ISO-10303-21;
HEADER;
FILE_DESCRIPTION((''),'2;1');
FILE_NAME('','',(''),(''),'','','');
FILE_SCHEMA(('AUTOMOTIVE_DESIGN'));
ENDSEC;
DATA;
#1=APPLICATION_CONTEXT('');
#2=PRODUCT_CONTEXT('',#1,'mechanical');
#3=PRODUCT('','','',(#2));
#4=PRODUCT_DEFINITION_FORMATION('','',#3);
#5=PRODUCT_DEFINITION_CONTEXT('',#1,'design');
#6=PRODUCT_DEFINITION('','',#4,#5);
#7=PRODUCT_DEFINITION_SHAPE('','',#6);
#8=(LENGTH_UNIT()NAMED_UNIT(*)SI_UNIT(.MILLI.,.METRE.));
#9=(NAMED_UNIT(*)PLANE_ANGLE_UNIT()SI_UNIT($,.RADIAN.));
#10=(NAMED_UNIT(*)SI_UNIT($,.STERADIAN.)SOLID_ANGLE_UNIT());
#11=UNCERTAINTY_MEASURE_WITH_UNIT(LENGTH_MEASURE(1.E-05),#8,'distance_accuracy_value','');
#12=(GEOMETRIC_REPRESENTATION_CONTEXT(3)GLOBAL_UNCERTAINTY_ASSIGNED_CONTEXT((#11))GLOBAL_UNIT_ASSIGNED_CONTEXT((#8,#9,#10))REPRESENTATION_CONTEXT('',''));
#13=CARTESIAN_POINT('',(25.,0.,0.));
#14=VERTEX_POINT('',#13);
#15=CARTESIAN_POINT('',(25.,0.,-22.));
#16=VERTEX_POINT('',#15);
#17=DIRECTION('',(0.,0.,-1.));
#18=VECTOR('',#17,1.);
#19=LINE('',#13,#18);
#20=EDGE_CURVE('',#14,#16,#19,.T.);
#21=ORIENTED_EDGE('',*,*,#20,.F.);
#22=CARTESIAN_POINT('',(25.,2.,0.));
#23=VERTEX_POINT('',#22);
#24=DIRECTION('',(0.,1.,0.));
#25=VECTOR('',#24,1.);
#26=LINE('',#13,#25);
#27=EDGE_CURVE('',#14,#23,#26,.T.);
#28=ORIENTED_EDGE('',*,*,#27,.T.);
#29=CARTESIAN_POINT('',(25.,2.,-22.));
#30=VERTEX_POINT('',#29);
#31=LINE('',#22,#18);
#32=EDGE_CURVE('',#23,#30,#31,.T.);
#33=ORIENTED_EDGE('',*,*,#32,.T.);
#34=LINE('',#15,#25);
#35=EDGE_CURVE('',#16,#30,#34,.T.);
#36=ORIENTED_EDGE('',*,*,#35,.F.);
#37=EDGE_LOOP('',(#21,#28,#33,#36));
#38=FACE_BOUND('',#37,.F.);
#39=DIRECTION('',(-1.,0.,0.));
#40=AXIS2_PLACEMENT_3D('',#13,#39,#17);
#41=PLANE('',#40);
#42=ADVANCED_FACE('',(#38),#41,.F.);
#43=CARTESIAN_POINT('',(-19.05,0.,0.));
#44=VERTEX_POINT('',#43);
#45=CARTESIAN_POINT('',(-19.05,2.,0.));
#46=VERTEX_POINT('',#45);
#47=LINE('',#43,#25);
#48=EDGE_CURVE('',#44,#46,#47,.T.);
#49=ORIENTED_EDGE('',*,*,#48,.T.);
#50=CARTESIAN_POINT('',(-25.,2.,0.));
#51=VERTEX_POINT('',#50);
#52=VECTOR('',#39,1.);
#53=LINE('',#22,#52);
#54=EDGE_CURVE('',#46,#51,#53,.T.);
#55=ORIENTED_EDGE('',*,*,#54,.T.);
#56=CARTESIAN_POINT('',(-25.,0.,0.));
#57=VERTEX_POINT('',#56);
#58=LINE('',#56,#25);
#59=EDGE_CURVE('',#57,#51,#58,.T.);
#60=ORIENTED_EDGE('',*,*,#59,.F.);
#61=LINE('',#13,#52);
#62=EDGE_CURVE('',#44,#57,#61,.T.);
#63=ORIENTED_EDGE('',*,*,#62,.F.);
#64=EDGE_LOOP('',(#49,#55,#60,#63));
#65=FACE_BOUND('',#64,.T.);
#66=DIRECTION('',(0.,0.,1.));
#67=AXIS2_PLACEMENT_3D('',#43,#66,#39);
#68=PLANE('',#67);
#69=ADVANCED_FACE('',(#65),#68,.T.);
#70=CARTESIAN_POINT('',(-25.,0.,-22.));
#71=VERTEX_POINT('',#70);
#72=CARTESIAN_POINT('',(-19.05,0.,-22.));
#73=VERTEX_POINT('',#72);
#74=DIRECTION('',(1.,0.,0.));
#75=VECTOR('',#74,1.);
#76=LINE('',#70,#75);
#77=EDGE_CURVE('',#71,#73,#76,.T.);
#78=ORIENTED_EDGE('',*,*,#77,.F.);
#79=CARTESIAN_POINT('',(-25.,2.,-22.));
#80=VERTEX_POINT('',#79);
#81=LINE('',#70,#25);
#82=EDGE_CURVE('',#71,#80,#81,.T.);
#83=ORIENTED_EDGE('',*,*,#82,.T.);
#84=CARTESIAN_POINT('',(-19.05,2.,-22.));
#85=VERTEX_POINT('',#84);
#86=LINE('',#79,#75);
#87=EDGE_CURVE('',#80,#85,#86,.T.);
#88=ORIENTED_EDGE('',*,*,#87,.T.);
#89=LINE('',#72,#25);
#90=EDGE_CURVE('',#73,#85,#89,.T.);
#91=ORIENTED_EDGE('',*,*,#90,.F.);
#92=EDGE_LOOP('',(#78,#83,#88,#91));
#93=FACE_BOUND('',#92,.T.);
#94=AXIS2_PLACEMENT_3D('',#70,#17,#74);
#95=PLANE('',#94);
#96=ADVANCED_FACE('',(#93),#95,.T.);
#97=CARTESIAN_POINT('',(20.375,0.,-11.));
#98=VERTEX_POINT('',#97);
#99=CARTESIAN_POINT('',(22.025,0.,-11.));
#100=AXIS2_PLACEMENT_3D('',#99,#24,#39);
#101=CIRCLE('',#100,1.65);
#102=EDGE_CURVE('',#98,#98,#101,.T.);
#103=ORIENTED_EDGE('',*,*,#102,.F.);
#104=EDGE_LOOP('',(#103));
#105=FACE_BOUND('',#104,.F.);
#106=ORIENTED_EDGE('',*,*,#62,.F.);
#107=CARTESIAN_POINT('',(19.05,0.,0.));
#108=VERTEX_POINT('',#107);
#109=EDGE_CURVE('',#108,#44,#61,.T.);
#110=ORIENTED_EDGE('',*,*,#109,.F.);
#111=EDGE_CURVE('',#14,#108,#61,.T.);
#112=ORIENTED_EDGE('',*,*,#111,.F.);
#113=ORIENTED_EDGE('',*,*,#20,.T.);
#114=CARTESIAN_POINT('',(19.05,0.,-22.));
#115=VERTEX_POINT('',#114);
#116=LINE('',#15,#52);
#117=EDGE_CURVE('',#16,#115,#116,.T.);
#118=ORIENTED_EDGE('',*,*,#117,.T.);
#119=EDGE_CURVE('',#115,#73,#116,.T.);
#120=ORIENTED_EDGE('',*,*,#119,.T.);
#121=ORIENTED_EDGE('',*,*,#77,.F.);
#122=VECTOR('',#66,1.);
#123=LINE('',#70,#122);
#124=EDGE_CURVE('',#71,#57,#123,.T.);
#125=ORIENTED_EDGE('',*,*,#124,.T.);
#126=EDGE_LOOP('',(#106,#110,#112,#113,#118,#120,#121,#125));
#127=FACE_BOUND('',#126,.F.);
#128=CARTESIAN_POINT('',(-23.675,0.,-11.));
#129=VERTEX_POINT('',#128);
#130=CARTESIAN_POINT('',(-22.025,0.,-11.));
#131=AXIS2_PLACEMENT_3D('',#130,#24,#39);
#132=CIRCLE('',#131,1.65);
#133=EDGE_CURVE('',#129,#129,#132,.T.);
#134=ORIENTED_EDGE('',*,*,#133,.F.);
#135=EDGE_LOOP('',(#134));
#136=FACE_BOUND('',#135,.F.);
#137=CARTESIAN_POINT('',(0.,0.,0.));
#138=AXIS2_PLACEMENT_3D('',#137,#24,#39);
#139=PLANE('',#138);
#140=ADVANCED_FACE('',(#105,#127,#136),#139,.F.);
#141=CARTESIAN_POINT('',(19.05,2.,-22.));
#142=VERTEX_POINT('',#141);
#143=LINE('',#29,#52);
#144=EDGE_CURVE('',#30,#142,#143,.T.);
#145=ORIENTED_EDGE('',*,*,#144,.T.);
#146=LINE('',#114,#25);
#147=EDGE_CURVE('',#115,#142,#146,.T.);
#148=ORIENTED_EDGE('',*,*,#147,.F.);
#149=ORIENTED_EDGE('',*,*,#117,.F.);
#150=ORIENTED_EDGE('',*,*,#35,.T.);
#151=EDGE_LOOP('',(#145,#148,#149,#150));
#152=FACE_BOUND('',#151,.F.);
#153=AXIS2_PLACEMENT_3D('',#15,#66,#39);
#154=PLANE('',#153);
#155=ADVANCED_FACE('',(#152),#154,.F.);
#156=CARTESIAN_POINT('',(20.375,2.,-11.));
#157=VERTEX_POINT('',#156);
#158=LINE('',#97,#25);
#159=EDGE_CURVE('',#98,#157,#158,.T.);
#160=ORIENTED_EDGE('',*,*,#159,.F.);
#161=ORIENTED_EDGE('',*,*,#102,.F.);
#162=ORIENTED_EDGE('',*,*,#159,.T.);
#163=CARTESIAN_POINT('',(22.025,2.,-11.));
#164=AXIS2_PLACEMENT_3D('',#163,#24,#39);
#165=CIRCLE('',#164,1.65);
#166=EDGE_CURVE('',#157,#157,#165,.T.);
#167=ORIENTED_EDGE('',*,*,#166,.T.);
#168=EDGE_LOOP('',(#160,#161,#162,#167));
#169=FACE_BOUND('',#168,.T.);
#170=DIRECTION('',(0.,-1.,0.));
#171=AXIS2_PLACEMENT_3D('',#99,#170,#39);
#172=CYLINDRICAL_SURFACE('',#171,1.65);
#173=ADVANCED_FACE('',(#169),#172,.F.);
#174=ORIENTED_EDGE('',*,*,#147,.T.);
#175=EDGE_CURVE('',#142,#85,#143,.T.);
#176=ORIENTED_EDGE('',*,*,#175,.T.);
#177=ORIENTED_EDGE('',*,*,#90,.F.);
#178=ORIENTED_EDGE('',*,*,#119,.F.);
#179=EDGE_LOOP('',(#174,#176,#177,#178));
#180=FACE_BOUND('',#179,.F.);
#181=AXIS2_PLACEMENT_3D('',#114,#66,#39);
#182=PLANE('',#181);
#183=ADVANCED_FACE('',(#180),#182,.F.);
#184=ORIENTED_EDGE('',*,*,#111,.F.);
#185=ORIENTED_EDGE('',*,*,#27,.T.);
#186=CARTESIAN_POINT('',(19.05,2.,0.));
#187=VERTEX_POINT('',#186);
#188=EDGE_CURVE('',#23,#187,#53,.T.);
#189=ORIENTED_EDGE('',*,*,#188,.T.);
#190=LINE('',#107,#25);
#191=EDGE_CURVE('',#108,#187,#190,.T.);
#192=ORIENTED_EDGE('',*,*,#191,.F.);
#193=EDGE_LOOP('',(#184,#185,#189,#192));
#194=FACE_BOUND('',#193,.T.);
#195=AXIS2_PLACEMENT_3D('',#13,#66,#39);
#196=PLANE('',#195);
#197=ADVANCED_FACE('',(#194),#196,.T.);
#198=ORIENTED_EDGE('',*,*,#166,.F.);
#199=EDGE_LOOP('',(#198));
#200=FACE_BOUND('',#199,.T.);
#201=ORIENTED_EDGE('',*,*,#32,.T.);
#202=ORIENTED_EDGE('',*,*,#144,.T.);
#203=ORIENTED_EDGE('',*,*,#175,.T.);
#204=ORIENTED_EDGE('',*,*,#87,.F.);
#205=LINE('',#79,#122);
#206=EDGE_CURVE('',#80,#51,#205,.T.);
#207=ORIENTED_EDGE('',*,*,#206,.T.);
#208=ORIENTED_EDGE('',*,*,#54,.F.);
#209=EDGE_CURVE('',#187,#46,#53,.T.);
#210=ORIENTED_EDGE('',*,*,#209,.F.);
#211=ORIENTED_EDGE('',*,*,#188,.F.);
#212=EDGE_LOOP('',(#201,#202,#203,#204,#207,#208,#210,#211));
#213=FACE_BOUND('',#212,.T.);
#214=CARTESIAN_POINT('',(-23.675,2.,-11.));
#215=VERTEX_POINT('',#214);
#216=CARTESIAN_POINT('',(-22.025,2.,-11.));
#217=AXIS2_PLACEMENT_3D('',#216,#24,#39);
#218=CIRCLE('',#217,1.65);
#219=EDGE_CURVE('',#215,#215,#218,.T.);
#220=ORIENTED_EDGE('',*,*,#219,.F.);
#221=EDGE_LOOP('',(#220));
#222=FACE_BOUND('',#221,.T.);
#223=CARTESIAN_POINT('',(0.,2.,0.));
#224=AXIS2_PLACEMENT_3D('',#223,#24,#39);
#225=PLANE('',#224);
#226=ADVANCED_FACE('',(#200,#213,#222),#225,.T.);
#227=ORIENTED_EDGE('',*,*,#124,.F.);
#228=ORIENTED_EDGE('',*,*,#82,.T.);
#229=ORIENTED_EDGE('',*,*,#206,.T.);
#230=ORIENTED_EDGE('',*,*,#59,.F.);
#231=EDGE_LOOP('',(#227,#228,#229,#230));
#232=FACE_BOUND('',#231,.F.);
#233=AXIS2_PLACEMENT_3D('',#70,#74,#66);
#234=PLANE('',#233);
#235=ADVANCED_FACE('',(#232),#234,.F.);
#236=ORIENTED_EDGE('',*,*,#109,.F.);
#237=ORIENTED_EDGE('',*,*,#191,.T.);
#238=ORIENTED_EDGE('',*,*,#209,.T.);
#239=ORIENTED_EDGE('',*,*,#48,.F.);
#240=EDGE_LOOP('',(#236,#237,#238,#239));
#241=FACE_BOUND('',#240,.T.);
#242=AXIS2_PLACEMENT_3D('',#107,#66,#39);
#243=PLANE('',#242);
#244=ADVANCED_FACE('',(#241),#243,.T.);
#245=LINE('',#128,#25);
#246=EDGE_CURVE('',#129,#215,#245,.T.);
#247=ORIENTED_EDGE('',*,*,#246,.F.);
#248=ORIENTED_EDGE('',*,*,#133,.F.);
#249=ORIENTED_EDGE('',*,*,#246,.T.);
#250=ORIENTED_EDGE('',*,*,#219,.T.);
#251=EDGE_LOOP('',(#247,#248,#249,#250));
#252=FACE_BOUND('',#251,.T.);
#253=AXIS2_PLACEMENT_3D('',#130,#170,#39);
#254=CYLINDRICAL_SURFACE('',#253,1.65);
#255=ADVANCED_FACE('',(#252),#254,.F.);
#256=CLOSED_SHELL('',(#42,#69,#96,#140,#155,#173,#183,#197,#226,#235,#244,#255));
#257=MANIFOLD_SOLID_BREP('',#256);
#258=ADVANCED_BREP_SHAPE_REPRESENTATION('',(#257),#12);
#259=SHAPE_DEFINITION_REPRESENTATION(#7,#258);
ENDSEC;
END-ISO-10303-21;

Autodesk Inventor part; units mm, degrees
ref_plane "YZ Plane" through (0, 0, 0) normal (1, 0, 0) x (0, 1, 0)
ref_plane "XZ Plane" through (0, 0, 0) normal (0, 1, 0) x (-1, 0, 0)
ref_plane "XY Plane" through (0, 0, 0) normal (0, 0, 1) x (1, 0, 0)
sketch "Sketch1" plane through (0, 0, 0) normal (0, 1, 0) x (-1, 0, 0)
  line L0 (25, -22) -> (25, 0)
  line L1 (-25, 0) -> (25, 0)
  line L2 (25, -22) -> (19.05, -22)
  line L3 (19.05, 0) -> (25, 0)
  line L4 (25, 0) -> (25, -22)
  line L5 (-25, -22) -> (-19.05, -22)
  line L6 (-19.05, 0) -> (-25, 0)
  line L7 (-25, 0) -> (-25, -22)
  circle A0 centre (22.025, -11) radius 1.65
  circle A1 centre (-22.025, -11) radius 1.65
  line L8 (25, 0) -> (-25, 0)
  line L9 (-25, 0) -> (-25, -22)
  line L10 (-25, -22) -> (25, -22)
  line L11 (25, -22) -> (25, 0)
  point P0 (0, 0)
  point P1 (22.025, 0)
  point P2 (-25, -11)
  point P3 (0, 0)
  dimension "d2" = 3.3
  dimension "d3" = 3.3
  dimension "d4" = 2.975
  dimension "d5" = 11
  dimension "d6" = 2.975
  dimension "d7" = 11
extrude "Extrusion1" add sketch "Sketch1" along normal blind 2
properties part number "IMU_shin_mount_clamp"
